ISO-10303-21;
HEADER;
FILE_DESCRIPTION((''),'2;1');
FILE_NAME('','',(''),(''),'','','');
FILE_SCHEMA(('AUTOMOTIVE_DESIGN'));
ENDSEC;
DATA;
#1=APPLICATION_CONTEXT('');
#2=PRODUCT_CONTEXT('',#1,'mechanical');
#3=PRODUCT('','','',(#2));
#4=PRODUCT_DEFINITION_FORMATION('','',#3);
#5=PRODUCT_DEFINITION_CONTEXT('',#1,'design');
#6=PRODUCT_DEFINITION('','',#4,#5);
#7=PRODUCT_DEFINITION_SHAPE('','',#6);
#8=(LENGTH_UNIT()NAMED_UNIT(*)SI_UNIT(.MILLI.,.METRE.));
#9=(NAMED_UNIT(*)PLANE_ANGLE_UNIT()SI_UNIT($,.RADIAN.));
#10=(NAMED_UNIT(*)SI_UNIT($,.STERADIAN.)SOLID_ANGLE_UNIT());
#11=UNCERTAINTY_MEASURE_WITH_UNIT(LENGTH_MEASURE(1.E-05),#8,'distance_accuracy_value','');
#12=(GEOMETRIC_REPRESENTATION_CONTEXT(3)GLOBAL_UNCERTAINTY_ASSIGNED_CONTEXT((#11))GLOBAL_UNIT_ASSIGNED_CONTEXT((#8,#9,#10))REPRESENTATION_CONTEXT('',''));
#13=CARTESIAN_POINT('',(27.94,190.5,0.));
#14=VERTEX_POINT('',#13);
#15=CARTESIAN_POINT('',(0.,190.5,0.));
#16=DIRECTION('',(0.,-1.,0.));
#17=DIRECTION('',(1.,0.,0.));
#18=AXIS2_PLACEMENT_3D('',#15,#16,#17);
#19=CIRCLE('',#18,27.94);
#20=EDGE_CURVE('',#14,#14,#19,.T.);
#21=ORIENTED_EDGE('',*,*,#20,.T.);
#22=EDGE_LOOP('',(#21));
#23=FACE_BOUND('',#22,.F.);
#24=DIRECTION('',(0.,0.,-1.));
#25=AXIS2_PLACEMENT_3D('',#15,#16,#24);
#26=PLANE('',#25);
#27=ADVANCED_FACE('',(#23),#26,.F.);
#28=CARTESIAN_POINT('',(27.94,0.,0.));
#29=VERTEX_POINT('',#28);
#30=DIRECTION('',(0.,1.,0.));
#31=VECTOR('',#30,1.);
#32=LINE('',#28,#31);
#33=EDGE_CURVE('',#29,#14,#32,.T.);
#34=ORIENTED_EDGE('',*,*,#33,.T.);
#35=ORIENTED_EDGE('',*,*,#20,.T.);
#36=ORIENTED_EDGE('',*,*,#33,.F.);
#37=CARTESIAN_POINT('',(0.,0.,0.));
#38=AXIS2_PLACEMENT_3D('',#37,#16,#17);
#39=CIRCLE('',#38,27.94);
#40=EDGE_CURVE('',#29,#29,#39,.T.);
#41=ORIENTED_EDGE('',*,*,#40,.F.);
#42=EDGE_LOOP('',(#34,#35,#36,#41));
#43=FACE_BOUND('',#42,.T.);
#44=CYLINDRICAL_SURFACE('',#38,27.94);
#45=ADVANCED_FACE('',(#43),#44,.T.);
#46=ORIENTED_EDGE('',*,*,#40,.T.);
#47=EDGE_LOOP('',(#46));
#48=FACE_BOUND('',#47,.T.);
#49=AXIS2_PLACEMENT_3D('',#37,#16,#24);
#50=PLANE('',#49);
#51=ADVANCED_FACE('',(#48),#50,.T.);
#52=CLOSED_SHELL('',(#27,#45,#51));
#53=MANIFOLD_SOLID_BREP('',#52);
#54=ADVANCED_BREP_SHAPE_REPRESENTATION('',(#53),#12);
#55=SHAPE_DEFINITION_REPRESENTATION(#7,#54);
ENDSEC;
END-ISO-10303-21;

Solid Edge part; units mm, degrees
sketch "Sketch1" plane through (0, 0, 0) normal (0, -1, 0) x (1, 0, 0)
  circle A0 centre (0, 0) radius 27.94
  dimension "D1" = 55.88
extrude "Protrusion1" add sketch "Sketch1" against normal blind 190.5
properties part number "SPaRC - 003"
